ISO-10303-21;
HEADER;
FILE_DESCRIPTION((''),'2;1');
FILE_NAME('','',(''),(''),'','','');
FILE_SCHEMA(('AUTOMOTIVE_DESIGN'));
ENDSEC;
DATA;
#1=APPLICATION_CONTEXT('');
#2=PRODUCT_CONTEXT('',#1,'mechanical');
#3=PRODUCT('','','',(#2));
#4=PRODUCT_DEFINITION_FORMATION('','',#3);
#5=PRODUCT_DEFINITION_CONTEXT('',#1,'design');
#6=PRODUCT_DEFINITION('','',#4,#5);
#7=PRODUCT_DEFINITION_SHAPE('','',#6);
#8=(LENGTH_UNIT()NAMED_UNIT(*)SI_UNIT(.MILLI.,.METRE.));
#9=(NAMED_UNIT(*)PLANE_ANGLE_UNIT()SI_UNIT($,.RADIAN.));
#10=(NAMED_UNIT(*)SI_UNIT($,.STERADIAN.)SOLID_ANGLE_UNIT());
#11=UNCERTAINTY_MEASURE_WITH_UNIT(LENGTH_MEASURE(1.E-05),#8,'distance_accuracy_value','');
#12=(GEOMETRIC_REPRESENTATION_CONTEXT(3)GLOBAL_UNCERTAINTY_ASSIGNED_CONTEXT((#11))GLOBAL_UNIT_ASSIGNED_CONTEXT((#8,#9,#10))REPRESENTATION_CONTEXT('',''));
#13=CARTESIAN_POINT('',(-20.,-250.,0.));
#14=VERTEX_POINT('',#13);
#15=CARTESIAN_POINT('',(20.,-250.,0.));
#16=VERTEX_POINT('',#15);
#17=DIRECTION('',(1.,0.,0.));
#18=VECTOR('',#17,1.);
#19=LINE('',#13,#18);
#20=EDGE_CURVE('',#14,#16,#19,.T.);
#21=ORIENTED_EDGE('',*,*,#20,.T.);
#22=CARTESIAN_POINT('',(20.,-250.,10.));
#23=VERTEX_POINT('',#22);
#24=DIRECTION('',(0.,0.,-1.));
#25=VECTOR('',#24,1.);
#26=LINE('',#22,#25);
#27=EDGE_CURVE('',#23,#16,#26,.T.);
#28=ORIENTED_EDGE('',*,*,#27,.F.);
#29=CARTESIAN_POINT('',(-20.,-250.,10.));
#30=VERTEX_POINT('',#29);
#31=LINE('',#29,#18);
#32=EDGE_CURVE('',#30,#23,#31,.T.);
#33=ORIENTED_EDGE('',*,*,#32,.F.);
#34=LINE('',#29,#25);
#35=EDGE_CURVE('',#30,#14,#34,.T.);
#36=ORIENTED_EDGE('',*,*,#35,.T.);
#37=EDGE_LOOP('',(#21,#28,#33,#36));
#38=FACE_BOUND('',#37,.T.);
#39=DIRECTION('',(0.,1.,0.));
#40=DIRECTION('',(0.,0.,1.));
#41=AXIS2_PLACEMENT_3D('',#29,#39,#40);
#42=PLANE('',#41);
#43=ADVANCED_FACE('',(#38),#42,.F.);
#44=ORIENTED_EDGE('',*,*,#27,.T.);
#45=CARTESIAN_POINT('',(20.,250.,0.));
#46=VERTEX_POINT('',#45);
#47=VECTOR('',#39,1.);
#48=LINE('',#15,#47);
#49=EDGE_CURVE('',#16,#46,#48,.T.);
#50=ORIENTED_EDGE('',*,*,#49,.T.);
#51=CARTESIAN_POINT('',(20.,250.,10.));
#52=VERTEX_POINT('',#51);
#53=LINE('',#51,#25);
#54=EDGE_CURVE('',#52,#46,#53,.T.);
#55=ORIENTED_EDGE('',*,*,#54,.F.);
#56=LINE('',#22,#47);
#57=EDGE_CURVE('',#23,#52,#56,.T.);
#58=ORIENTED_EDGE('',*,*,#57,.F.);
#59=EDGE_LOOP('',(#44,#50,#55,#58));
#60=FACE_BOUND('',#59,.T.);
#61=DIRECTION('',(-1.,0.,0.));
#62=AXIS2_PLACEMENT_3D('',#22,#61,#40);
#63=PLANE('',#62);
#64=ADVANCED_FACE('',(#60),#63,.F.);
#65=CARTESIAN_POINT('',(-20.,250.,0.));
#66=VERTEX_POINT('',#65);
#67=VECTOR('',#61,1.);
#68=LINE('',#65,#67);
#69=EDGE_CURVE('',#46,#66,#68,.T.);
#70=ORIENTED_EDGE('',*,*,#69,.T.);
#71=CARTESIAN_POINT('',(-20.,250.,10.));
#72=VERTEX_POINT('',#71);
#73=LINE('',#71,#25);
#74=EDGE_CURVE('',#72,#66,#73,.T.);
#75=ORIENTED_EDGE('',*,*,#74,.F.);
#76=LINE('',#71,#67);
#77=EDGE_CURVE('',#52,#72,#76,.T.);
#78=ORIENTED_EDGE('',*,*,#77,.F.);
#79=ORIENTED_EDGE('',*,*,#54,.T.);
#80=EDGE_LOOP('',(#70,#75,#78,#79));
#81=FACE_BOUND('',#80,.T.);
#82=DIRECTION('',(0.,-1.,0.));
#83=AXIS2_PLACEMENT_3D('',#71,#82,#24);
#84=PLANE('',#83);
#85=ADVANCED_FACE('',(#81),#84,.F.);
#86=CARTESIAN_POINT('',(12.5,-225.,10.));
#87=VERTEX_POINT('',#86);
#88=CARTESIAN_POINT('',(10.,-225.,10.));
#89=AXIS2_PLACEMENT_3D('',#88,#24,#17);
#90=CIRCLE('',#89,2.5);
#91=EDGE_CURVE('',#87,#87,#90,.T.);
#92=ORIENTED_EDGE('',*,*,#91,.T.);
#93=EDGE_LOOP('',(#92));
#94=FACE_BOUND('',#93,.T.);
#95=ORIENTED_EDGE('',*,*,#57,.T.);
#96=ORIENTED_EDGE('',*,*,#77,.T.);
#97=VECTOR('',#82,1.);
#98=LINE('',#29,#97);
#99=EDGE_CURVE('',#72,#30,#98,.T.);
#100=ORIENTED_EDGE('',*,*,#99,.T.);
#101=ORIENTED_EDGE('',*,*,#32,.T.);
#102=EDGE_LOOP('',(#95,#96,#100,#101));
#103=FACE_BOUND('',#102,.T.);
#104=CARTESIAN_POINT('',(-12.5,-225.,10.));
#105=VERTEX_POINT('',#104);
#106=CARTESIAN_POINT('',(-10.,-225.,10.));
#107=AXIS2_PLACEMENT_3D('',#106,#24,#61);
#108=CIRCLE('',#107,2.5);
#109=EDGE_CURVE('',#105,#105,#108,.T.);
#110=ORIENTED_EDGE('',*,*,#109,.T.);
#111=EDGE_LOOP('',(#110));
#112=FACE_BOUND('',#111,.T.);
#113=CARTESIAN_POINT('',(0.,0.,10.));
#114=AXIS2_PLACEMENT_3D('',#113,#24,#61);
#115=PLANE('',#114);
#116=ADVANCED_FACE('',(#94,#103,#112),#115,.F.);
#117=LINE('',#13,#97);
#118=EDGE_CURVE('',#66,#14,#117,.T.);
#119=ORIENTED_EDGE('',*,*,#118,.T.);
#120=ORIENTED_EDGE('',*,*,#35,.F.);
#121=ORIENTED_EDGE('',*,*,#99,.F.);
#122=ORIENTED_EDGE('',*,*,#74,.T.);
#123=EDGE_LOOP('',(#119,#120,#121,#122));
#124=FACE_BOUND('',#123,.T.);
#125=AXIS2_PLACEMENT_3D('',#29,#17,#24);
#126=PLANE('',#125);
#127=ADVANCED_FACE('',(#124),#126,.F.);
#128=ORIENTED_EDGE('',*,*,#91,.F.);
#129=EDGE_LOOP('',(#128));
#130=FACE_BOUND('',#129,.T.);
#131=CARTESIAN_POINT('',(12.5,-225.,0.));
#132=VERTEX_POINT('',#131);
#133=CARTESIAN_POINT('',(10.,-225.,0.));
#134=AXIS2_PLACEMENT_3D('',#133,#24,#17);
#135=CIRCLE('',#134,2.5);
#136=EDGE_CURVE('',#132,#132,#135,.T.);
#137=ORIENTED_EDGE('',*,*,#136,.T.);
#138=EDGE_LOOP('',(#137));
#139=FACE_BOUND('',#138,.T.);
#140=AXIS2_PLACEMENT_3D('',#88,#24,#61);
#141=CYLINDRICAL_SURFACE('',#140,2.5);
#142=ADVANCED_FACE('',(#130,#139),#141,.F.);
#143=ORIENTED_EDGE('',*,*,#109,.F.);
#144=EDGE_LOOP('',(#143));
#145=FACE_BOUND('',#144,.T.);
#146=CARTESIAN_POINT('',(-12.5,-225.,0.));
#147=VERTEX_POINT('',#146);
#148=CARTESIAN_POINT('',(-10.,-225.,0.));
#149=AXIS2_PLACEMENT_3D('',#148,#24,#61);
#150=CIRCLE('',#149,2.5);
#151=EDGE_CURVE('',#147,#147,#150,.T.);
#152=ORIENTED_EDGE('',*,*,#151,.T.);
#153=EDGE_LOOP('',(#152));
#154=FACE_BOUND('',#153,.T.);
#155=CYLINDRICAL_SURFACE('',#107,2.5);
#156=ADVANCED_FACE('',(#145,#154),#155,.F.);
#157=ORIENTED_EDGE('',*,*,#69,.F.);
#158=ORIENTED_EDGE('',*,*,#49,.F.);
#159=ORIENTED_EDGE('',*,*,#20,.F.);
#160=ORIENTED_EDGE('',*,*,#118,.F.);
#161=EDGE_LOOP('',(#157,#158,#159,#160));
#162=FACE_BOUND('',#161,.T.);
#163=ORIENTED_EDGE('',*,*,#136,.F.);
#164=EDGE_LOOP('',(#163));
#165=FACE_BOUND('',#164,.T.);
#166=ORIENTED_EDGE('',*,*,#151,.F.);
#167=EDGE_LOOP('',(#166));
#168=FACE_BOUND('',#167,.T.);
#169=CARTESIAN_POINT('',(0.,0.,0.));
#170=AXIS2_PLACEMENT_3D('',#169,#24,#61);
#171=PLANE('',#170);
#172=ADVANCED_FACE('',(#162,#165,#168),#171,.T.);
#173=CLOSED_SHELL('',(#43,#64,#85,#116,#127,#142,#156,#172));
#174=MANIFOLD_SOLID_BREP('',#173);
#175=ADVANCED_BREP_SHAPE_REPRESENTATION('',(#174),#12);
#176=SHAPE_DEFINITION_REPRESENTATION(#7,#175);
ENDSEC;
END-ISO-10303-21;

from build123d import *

# Parameters (mm, degrees)
SKETCH1_W           = 40
SKETCH1_H           = 500
BOSS_EXTRUDE1_DEPTH = 10
SKETCH2_R           = 2.5
CUT_EXTRUDE1_DEPTH  = 251.99800796


with BuildPart() as part:
    # Sketch1 → Boss-Extrude1 (new body)
    with BuildSketch(Plane.XY):
        Rectangle(SKETCH1_W, SKETCH1_H)
    extrude(amount=BOSS_EXTRUDE1_DEPTH)

    # Sketch2 → Cut-Extrude1 (cut, through all)
    with BuildSketch(Plane(origin=(0, 0, 0), x_dir=(-1, 0, 0), z_dir=(0, 0, -1))):
        with Locations((10, -225)):
            Circle(SKETCH2_R)
        with Locations(Location((-10, -225, 0), (0, 0, 180))):
            Circle(SKETCH2_R)
    extrude(amount=-CUT_EXTRUDE1_DEPTH, mode=Mode.SUBTRACT)


solid = part.part
